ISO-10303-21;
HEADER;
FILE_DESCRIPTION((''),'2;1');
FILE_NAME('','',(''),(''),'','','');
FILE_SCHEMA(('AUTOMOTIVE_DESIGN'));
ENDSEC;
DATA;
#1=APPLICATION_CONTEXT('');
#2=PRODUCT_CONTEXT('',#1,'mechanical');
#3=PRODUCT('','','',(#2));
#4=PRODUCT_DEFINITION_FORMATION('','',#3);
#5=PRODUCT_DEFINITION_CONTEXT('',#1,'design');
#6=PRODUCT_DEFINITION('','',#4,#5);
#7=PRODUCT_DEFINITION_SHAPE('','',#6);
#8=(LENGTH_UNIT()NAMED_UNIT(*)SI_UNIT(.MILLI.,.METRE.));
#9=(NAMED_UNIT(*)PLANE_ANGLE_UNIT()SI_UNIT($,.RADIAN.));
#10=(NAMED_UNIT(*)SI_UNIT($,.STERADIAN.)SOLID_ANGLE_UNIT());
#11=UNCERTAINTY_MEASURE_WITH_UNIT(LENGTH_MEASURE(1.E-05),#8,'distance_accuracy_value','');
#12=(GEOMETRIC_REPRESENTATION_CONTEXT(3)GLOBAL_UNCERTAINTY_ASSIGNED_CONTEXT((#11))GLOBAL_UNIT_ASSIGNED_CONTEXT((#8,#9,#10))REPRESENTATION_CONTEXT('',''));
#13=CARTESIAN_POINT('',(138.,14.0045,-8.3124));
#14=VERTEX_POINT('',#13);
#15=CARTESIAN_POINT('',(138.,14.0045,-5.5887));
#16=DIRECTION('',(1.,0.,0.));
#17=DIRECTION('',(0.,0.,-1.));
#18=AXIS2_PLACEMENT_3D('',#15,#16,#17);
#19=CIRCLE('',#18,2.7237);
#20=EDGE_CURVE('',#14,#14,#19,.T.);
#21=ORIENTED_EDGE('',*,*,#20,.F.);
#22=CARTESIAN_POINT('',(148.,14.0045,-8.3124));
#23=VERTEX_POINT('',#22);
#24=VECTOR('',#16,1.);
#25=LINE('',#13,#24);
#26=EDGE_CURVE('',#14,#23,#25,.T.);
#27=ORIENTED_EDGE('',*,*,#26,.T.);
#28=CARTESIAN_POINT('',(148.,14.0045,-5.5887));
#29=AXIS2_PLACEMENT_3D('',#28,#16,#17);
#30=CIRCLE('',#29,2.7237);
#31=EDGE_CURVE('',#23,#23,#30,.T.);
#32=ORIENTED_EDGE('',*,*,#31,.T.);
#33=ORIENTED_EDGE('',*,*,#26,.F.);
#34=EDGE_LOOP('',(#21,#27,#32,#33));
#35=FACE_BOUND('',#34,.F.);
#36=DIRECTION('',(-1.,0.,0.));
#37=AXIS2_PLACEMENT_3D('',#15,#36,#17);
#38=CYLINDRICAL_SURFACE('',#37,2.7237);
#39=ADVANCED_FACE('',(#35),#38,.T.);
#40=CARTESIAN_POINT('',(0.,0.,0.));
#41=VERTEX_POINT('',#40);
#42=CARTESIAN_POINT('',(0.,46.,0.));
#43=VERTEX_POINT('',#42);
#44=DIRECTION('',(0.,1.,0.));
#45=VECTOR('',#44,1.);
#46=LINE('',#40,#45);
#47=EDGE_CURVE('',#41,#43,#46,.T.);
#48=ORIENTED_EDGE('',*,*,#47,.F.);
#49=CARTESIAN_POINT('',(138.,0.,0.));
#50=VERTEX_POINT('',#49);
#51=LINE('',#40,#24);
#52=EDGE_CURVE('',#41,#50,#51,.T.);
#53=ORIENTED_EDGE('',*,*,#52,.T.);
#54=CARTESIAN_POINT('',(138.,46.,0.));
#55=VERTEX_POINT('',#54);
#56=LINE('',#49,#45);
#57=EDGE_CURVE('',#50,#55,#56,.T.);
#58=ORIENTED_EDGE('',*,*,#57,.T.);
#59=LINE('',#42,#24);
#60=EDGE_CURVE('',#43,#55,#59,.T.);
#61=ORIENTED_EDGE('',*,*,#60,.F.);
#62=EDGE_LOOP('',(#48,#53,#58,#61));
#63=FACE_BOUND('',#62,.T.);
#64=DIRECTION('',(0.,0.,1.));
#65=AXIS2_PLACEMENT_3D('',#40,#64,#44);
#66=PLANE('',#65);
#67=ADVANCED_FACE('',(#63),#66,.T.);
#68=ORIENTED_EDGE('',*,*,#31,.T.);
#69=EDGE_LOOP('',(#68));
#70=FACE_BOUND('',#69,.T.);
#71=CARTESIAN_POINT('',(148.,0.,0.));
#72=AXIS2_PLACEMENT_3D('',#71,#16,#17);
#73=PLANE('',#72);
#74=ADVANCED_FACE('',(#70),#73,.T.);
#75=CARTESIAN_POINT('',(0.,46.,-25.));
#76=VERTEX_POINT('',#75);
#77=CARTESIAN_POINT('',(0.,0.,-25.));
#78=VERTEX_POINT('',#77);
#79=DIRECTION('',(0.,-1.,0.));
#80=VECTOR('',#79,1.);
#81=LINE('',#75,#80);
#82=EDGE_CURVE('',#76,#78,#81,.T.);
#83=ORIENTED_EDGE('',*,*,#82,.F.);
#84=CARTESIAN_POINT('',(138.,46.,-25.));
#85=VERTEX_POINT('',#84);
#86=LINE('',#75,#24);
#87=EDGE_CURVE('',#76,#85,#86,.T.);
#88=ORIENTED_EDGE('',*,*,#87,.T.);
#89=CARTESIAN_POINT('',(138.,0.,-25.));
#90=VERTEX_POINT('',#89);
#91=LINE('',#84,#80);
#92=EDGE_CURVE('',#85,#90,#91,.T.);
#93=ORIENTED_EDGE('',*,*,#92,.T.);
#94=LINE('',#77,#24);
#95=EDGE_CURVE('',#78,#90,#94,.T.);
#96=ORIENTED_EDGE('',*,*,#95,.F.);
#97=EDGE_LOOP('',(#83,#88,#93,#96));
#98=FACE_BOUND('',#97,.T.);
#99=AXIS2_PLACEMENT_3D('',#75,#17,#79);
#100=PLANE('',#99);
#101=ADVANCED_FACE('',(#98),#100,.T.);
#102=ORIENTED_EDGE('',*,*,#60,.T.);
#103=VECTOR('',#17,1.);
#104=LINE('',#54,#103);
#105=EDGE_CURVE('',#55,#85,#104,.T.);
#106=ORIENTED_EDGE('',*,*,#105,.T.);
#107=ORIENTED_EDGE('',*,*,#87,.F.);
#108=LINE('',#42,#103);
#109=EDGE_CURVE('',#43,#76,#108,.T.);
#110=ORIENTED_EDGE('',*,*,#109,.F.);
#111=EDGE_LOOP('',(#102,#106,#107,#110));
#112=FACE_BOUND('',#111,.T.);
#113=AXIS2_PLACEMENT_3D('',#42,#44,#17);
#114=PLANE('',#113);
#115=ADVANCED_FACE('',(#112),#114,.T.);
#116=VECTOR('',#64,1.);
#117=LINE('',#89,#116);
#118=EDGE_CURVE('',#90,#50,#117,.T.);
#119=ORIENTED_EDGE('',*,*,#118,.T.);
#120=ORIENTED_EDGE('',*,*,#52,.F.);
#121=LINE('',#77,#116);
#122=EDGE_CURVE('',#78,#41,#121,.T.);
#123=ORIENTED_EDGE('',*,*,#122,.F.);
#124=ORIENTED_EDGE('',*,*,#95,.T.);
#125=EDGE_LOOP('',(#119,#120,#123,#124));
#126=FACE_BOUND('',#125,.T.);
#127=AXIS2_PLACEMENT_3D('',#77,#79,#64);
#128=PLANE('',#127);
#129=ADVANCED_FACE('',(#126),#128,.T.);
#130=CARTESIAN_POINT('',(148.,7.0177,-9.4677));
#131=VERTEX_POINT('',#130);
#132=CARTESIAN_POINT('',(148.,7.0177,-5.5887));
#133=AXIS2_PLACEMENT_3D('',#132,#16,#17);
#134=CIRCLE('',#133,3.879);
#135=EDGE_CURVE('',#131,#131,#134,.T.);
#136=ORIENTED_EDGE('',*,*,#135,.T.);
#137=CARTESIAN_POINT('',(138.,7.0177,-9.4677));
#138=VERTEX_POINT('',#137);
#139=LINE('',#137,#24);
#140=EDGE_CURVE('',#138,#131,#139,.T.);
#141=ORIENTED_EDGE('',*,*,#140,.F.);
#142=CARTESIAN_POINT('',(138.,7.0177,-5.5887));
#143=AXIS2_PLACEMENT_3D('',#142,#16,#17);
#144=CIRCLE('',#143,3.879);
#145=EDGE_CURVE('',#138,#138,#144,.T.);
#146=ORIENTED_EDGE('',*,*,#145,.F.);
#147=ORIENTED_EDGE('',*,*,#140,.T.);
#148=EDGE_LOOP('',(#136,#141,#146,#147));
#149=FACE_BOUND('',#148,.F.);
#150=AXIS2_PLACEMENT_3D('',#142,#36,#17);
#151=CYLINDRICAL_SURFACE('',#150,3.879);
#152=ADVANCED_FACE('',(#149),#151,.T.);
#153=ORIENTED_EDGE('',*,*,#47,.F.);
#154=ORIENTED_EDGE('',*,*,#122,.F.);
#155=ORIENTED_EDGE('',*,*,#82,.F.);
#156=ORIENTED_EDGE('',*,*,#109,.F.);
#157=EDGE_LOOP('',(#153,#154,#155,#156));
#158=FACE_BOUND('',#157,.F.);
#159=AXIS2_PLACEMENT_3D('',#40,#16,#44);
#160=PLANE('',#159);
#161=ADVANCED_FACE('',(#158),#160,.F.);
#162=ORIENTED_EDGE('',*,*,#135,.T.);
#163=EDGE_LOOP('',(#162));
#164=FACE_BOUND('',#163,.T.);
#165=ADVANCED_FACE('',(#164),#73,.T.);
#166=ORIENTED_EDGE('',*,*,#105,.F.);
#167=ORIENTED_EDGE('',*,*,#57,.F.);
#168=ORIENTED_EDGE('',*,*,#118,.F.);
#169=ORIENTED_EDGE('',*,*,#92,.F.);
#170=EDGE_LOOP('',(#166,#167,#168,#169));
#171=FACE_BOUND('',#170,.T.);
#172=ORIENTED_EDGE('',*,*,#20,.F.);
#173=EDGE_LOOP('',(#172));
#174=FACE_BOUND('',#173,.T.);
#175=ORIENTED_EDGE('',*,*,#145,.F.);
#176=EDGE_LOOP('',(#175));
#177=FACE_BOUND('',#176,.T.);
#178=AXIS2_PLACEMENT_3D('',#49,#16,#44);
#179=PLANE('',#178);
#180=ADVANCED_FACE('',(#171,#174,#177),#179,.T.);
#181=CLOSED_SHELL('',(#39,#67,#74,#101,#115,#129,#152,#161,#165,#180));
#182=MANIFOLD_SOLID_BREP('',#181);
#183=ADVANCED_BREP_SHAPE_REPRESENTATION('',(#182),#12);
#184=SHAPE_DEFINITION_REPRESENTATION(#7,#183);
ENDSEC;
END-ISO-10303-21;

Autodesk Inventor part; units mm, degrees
ref_plane "YZ Plane" through (0, 0, 0) normal (1, 0, 0) x (0, 1, 0)
ref_plane "XZ Plane" through (0, 0, 0) normal (0, 1, 0) x (-1, 0, 0)
ref_plane "XY Plane" through (0, 0, 0) normal (0, 0, 1) x (1, 0, 0)
sketch "Sketch1" plane through (0, 0, 0) normal (1, 0, 0) x (0, 1, 0)
  line L0 (0, 0) -> (46, 0)
  line L1 (46, 0) -> (46, -25)
  line L2 (46, -25) -> (0, -25)
  line L3 (0, -25) -> (0, 0)
  dimension "d0" = 46
  dimension "d1" = 25
extrude "Extrusion1" add sketch "Sketch1" along normal blind 138
sketch "Sketch2" plane through (138, 0, 0) normal (1, 0, 0) x (0, 0, -1)
  circle A0 centre (5.5887, 7.0177) radius 3.879
  circle A1 centre (5.5887, 14.0045) radius 2.7237
  point P0 (0, 0)
extrude "Extrusion2" add sketch "Sketch2" along normal blind 10
properties part number "battery1"
